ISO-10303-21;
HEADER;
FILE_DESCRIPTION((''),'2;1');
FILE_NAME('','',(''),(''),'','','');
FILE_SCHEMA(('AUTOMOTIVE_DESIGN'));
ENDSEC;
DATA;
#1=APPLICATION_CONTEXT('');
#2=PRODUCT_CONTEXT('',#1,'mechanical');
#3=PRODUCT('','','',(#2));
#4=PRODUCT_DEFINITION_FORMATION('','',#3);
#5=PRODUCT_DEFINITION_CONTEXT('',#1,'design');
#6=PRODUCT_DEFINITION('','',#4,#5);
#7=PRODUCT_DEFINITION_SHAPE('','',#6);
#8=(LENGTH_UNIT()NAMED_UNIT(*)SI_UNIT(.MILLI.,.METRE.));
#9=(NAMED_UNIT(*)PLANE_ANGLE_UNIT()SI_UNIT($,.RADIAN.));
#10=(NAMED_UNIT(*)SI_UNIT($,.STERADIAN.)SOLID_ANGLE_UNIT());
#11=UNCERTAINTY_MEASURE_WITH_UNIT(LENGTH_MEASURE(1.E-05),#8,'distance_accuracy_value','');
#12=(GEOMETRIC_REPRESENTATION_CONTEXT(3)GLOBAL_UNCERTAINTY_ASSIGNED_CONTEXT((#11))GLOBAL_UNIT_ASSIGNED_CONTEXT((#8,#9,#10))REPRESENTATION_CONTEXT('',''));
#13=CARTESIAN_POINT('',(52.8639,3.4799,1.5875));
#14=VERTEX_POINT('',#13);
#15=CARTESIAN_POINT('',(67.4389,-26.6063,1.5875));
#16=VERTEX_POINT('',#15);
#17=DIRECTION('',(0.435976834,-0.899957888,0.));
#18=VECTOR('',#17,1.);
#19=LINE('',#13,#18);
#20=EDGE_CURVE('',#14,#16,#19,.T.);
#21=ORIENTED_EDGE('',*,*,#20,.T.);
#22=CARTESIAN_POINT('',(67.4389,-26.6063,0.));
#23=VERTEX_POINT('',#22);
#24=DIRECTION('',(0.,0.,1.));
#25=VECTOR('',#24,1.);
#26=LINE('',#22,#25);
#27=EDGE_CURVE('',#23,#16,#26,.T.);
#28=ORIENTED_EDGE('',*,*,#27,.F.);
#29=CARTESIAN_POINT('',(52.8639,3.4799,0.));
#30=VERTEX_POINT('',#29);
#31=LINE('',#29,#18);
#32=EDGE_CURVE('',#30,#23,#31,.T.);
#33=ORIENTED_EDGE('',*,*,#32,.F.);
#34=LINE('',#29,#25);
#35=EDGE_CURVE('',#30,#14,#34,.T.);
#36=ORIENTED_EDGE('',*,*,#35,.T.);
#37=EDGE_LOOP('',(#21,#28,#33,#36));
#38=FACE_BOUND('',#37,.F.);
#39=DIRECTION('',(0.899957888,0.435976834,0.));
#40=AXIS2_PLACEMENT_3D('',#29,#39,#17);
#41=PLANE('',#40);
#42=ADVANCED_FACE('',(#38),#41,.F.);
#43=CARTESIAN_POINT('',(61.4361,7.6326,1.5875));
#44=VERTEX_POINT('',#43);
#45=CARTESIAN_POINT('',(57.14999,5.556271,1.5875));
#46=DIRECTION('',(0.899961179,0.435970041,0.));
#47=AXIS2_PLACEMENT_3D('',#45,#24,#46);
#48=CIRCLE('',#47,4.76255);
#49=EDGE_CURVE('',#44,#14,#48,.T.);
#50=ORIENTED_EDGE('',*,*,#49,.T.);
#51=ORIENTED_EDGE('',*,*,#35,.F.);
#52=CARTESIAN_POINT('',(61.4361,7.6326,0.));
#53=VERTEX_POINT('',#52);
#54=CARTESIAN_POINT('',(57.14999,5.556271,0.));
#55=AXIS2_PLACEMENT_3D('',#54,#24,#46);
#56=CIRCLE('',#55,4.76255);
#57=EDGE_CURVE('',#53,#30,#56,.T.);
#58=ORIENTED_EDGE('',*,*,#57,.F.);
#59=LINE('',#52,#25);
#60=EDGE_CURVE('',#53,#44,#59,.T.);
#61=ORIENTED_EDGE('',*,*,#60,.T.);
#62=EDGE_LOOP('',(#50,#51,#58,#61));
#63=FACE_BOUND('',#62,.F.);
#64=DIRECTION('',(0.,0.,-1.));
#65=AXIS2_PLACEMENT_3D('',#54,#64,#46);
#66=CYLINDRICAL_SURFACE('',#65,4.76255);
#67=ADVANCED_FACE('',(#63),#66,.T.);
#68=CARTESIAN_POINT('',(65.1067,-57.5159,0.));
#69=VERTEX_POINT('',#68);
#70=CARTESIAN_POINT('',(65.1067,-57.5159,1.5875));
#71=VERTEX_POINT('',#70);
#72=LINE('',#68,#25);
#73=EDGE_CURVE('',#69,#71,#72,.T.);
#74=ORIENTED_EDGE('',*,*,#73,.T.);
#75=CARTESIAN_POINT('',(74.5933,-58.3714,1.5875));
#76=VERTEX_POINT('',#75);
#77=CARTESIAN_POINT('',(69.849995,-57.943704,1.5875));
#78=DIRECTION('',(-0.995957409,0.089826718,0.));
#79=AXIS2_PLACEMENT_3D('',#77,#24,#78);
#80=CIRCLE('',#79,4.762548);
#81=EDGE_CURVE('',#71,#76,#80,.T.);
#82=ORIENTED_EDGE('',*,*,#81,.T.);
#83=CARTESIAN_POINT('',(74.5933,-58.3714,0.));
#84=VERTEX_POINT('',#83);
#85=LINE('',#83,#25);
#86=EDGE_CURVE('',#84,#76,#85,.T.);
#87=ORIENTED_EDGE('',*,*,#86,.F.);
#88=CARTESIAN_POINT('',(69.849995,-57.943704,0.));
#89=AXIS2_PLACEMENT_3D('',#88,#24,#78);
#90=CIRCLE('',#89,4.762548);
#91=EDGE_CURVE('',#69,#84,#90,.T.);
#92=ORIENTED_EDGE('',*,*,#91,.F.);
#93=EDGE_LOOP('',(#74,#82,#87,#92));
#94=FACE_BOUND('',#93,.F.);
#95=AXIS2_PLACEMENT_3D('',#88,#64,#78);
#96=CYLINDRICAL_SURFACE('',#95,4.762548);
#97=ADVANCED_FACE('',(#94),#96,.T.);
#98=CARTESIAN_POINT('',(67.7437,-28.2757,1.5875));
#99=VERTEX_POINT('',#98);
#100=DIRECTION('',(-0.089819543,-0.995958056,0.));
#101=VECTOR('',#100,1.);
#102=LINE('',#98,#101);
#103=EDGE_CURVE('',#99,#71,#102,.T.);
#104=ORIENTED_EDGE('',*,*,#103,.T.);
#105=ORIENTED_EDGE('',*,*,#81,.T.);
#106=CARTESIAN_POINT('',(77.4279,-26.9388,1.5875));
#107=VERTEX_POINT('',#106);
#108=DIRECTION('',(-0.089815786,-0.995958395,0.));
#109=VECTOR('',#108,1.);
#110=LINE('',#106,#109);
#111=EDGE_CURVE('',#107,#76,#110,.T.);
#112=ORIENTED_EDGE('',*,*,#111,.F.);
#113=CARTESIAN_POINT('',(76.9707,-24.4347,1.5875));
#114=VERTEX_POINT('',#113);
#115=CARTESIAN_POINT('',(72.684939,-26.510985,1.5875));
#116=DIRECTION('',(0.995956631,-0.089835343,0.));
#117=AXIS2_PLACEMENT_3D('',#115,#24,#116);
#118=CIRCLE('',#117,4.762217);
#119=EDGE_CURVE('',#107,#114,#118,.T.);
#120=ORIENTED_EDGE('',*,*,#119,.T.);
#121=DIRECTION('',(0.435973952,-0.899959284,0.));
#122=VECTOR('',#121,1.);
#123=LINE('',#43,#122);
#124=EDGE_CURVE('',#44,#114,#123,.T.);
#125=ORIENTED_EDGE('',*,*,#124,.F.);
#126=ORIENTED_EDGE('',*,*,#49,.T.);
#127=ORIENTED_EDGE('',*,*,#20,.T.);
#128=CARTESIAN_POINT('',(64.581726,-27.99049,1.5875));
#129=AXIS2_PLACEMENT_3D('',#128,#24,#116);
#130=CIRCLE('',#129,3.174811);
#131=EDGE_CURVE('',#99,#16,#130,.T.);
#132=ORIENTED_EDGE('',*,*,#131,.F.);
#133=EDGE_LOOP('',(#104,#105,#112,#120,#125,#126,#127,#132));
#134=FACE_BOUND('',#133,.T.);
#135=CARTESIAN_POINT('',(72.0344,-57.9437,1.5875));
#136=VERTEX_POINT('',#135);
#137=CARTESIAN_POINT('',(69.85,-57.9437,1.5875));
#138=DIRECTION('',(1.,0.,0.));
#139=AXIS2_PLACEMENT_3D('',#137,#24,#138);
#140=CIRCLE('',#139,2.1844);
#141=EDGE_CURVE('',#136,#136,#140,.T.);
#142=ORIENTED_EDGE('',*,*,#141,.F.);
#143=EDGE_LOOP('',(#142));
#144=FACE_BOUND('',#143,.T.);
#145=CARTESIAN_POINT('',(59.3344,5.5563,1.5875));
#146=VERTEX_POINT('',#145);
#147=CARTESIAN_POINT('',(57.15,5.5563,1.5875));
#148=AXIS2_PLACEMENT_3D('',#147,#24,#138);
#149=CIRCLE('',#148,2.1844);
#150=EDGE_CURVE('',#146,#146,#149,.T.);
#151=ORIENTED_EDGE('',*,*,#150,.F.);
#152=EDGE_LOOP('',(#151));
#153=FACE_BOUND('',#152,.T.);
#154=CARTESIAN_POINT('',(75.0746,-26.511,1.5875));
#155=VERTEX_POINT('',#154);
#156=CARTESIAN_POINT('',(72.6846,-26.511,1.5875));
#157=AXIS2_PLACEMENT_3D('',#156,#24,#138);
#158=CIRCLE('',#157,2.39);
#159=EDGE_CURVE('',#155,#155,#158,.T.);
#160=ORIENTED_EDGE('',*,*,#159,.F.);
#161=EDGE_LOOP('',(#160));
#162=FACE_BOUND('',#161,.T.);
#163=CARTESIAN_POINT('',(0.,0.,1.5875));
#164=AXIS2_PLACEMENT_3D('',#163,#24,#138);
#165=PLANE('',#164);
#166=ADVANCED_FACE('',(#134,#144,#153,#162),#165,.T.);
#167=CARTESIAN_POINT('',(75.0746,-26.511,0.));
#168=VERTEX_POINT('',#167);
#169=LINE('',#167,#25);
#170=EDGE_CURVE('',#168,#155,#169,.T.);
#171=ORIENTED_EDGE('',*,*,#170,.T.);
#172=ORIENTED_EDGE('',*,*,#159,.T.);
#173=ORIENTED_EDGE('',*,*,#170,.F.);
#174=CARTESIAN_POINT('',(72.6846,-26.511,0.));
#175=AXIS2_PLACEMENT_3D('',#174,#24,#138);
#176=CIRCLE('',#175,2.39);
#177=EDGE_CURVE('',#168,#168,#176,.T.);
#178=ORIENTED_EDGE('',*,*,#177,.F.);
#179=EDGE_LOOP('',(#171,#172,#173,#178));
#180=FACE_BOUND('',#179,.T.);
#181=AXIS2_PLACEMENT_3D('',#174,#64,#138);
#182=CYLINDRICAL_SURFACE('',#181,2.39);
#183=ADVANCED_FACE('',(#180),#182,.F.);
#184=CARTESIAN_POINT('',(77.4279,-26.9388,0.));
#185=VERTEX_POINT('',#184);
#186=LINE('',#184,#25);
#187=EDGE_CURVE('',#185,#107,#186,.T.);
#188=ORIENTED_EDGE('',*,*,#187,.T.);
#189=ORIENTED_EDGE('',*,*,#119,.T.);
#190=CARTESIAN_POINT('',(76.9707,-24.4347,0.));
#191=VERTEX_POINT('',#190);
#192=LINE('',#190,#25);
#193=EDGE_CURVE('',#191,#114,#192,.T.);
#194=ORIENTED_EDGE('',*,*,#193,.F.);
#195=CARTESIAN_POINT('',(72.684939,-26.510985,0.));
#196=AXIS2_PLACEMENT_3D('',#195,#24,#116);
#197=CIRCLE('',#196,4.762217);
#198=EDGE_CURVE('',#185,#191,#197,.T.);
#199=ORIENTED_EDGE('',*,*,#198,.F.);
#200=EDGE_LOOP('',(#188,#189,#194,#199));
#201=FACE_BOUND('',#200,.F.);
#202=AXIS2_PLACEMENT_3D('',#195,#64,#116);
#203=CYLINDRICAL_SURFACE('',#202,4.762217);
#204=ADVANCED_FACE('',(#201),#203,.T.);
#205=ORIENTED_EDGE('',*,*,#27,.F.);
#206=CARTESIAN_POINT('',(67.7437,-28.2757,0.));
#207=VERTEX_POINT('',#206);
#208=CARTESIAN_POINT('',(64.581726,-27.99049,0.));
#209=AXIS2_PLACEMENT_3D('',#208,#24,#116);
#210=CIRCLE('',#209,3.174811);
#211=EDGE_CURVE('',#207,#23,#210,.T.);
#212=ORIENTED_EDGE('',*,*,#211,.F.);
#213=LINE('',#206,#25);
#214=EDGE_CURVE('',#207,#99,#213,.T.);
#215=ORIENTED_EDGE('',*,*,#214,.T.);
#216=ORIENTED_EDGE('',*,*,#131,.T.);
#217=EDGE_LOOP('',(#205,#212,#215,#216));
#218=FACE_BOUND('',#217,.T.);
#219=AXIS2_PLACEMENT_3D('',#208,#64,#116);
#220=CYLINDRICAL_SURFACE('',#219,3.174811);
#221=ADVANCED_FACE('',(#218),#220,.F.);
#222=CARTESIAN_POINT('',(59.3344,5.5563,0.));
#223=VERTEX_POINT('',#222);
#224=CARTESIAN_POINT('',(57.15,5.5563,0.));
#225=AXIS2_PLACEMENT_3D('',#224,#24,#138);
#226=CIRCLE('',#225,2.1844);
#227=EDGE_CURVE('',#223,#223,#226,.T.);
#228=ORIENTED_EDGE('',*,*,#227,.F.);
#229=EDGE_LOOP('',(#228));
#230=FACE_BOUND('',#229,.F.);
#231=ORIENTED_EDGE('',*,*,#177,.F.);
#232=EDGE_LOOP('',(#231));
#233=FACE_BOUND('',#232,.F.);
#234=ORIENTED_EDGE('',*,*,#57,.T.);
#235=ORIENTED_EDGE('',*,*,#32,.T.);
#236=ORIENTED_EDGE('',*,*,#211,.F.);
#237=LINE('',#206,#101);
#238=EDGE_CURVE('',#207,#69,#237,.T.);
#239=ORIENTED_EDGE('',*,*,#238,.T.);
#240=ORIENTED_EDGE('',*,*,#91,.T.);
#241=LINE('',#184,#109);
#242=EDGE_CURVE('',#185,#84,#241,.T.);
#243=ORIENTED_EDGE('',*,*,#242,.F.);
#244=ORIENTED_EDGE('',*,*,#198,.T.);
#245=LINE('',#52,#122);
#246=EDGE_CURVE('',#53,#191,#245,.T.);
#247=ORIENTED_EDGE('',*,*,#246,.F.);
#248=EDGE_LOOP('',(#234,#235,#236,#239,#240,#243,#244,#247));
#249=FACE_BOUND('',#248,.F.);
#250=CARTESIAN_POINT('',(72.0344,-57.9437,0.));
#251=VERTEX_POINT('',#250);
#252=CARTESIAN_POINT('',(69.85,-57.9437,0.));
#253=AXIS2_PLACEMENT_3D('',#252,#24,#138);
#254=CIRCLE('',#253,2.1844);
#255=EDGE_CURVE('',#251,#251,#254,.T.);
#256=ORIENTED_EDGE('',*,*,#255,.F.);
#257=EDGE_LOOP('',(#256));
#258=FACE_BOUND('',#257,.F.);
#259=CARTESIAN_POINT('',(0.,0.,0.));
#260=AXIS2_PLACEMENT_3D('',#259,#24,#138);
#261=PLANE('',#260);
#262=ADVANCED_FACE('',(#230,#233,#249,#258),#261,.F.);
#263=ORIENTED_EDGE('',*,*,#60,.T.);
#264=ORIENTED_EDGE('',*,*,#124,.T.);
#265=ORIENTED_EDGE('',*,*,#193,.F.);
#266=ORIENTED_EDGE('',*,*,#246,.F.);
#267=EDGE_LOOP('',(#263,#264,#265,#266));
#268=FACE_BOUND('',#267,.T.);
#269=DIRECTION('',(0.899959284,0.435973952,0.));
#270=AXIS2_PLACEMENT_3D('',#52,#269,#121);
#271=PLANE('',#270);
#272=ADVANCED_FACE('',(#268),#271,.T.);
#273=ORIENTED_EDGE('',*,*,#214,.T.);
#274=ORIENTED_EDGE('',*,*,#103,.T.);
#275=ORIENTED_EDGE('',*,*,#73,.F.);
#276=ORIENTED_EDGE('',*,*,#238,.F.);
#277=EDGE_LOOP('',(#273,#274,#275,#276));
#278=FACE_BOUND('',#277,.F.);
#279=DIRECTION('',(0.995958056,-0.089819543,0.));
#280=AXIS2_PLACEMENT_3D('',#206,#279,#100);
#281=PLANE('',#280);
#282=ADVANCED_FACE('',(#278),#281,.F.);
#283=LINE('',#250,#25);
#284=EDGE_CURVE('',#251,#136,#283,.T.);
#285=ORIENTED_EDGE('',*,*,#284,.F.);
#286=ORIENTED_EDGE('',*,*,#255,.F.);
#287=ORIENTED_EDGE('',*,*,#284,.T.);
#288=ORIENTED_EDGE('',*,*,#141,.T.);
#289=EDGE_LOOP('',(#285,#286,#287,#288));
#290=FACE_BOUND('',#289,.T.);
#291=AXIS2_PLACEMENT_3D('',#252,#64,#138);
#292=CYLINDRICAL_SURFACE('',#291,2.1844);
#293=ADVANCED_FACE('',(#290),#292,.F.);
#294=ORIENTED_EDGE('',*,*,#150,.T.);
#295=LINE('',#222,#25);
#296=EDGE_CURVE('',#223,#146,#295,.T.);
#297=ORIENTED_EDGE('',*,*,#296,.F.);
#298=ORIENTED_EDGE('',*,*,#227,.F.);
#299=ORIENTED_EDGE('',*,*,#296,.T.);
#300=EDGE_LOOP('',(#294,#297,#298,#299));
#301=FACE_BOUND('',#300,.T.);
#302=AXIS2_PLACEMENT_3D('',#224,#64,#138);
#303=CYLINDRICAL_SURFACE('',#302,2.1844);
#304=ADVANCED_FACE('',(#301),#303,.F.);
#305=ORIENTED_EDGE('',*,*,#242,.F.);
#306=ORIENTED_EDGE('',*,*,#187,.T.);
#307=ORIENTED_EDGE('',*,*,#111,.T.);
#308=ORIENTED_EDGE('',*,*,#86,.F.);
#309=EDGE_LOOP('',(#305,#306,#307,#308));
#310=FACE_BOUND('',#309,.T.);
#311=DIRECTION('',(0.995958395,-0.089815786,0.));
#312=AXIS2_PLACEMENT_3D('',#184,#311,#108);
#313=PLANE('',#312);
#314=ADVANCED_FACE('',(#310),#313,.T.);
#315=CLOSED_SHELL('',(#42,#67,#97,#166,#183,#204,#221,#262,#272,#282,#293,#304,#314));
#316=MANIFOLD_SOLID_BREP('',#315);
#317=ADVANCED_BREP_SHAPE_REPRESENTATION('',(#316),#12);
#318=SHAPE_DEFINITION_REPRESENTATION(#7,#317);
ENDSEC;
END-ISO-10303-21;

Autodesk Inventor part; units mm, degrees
ref_plane "YZ Plane" through (0, 0, 0) normal (1, 0, 0) x (0, 1, 0)
ref_plane "XZ Plane" through (0, 0, 0) normal (0, 1, 0) x (-1, 0, 0)
ref_plane "XY Plane" through (0, 0, 0) normal (0, 0, 1) x (1, 0, 0)
sketch "Sketch1" plane through (0, 0, 0) normal (0, 0, 1) x (1, 0, 0)
  circle A0 centre (57.15, 5.5563) radius 2.1844
  circle A1 centre (72.6846, -26.511) radius 2.39
  circle A2 centre (69.85, -57.9437) radius 2.1844
  circle A3 centre (69.85, -57.9437) radius 2.1844
  arc A4 (65.1067, -57.5159) -> (74.5933, -58.3714) centre (69.85, -57.9437) ccw
  arc A5 (77.4279, -26.9388) -> (76.9707, -24.4347) centre (72.6846, -26.511) ccw
  circle A6 centre (57.15, 5.5563) radius 2.1844
  arc A7 (61.4361, 7.6326) -> (52.8639, 3.4799) centre (57.15, 5.5563) ccw
  circle A8 centre (72.6846, -26.511) radius 2.39
  line L0 (52.8639, 3.4799) -> (67.4389, -26.6063)
  line L1 (67.7437, -28.2757) -> (65.1067, -57.5159)
  line L2 (77.4279, -26.9388) -> (74.5933, -58.3714)
  line L3 (61.4361, 7.6326) -> (76.9707, -24.4347)
  arc A9 (67.7437, -28.2757) -> (67.4389, -26.6063) centre (64.5815, -27.9905) ccw
  point P0 (0, 0)
  dimension "d0" = 9.525
  dimension "d1" = 9.525
  dimension "d2" = 9.525
  dimension "d3" = 3.175
extrude "Extrusion1" add sketch "Sketch1" along normal blind 1.5875
properties part number "pneumaticintake"
